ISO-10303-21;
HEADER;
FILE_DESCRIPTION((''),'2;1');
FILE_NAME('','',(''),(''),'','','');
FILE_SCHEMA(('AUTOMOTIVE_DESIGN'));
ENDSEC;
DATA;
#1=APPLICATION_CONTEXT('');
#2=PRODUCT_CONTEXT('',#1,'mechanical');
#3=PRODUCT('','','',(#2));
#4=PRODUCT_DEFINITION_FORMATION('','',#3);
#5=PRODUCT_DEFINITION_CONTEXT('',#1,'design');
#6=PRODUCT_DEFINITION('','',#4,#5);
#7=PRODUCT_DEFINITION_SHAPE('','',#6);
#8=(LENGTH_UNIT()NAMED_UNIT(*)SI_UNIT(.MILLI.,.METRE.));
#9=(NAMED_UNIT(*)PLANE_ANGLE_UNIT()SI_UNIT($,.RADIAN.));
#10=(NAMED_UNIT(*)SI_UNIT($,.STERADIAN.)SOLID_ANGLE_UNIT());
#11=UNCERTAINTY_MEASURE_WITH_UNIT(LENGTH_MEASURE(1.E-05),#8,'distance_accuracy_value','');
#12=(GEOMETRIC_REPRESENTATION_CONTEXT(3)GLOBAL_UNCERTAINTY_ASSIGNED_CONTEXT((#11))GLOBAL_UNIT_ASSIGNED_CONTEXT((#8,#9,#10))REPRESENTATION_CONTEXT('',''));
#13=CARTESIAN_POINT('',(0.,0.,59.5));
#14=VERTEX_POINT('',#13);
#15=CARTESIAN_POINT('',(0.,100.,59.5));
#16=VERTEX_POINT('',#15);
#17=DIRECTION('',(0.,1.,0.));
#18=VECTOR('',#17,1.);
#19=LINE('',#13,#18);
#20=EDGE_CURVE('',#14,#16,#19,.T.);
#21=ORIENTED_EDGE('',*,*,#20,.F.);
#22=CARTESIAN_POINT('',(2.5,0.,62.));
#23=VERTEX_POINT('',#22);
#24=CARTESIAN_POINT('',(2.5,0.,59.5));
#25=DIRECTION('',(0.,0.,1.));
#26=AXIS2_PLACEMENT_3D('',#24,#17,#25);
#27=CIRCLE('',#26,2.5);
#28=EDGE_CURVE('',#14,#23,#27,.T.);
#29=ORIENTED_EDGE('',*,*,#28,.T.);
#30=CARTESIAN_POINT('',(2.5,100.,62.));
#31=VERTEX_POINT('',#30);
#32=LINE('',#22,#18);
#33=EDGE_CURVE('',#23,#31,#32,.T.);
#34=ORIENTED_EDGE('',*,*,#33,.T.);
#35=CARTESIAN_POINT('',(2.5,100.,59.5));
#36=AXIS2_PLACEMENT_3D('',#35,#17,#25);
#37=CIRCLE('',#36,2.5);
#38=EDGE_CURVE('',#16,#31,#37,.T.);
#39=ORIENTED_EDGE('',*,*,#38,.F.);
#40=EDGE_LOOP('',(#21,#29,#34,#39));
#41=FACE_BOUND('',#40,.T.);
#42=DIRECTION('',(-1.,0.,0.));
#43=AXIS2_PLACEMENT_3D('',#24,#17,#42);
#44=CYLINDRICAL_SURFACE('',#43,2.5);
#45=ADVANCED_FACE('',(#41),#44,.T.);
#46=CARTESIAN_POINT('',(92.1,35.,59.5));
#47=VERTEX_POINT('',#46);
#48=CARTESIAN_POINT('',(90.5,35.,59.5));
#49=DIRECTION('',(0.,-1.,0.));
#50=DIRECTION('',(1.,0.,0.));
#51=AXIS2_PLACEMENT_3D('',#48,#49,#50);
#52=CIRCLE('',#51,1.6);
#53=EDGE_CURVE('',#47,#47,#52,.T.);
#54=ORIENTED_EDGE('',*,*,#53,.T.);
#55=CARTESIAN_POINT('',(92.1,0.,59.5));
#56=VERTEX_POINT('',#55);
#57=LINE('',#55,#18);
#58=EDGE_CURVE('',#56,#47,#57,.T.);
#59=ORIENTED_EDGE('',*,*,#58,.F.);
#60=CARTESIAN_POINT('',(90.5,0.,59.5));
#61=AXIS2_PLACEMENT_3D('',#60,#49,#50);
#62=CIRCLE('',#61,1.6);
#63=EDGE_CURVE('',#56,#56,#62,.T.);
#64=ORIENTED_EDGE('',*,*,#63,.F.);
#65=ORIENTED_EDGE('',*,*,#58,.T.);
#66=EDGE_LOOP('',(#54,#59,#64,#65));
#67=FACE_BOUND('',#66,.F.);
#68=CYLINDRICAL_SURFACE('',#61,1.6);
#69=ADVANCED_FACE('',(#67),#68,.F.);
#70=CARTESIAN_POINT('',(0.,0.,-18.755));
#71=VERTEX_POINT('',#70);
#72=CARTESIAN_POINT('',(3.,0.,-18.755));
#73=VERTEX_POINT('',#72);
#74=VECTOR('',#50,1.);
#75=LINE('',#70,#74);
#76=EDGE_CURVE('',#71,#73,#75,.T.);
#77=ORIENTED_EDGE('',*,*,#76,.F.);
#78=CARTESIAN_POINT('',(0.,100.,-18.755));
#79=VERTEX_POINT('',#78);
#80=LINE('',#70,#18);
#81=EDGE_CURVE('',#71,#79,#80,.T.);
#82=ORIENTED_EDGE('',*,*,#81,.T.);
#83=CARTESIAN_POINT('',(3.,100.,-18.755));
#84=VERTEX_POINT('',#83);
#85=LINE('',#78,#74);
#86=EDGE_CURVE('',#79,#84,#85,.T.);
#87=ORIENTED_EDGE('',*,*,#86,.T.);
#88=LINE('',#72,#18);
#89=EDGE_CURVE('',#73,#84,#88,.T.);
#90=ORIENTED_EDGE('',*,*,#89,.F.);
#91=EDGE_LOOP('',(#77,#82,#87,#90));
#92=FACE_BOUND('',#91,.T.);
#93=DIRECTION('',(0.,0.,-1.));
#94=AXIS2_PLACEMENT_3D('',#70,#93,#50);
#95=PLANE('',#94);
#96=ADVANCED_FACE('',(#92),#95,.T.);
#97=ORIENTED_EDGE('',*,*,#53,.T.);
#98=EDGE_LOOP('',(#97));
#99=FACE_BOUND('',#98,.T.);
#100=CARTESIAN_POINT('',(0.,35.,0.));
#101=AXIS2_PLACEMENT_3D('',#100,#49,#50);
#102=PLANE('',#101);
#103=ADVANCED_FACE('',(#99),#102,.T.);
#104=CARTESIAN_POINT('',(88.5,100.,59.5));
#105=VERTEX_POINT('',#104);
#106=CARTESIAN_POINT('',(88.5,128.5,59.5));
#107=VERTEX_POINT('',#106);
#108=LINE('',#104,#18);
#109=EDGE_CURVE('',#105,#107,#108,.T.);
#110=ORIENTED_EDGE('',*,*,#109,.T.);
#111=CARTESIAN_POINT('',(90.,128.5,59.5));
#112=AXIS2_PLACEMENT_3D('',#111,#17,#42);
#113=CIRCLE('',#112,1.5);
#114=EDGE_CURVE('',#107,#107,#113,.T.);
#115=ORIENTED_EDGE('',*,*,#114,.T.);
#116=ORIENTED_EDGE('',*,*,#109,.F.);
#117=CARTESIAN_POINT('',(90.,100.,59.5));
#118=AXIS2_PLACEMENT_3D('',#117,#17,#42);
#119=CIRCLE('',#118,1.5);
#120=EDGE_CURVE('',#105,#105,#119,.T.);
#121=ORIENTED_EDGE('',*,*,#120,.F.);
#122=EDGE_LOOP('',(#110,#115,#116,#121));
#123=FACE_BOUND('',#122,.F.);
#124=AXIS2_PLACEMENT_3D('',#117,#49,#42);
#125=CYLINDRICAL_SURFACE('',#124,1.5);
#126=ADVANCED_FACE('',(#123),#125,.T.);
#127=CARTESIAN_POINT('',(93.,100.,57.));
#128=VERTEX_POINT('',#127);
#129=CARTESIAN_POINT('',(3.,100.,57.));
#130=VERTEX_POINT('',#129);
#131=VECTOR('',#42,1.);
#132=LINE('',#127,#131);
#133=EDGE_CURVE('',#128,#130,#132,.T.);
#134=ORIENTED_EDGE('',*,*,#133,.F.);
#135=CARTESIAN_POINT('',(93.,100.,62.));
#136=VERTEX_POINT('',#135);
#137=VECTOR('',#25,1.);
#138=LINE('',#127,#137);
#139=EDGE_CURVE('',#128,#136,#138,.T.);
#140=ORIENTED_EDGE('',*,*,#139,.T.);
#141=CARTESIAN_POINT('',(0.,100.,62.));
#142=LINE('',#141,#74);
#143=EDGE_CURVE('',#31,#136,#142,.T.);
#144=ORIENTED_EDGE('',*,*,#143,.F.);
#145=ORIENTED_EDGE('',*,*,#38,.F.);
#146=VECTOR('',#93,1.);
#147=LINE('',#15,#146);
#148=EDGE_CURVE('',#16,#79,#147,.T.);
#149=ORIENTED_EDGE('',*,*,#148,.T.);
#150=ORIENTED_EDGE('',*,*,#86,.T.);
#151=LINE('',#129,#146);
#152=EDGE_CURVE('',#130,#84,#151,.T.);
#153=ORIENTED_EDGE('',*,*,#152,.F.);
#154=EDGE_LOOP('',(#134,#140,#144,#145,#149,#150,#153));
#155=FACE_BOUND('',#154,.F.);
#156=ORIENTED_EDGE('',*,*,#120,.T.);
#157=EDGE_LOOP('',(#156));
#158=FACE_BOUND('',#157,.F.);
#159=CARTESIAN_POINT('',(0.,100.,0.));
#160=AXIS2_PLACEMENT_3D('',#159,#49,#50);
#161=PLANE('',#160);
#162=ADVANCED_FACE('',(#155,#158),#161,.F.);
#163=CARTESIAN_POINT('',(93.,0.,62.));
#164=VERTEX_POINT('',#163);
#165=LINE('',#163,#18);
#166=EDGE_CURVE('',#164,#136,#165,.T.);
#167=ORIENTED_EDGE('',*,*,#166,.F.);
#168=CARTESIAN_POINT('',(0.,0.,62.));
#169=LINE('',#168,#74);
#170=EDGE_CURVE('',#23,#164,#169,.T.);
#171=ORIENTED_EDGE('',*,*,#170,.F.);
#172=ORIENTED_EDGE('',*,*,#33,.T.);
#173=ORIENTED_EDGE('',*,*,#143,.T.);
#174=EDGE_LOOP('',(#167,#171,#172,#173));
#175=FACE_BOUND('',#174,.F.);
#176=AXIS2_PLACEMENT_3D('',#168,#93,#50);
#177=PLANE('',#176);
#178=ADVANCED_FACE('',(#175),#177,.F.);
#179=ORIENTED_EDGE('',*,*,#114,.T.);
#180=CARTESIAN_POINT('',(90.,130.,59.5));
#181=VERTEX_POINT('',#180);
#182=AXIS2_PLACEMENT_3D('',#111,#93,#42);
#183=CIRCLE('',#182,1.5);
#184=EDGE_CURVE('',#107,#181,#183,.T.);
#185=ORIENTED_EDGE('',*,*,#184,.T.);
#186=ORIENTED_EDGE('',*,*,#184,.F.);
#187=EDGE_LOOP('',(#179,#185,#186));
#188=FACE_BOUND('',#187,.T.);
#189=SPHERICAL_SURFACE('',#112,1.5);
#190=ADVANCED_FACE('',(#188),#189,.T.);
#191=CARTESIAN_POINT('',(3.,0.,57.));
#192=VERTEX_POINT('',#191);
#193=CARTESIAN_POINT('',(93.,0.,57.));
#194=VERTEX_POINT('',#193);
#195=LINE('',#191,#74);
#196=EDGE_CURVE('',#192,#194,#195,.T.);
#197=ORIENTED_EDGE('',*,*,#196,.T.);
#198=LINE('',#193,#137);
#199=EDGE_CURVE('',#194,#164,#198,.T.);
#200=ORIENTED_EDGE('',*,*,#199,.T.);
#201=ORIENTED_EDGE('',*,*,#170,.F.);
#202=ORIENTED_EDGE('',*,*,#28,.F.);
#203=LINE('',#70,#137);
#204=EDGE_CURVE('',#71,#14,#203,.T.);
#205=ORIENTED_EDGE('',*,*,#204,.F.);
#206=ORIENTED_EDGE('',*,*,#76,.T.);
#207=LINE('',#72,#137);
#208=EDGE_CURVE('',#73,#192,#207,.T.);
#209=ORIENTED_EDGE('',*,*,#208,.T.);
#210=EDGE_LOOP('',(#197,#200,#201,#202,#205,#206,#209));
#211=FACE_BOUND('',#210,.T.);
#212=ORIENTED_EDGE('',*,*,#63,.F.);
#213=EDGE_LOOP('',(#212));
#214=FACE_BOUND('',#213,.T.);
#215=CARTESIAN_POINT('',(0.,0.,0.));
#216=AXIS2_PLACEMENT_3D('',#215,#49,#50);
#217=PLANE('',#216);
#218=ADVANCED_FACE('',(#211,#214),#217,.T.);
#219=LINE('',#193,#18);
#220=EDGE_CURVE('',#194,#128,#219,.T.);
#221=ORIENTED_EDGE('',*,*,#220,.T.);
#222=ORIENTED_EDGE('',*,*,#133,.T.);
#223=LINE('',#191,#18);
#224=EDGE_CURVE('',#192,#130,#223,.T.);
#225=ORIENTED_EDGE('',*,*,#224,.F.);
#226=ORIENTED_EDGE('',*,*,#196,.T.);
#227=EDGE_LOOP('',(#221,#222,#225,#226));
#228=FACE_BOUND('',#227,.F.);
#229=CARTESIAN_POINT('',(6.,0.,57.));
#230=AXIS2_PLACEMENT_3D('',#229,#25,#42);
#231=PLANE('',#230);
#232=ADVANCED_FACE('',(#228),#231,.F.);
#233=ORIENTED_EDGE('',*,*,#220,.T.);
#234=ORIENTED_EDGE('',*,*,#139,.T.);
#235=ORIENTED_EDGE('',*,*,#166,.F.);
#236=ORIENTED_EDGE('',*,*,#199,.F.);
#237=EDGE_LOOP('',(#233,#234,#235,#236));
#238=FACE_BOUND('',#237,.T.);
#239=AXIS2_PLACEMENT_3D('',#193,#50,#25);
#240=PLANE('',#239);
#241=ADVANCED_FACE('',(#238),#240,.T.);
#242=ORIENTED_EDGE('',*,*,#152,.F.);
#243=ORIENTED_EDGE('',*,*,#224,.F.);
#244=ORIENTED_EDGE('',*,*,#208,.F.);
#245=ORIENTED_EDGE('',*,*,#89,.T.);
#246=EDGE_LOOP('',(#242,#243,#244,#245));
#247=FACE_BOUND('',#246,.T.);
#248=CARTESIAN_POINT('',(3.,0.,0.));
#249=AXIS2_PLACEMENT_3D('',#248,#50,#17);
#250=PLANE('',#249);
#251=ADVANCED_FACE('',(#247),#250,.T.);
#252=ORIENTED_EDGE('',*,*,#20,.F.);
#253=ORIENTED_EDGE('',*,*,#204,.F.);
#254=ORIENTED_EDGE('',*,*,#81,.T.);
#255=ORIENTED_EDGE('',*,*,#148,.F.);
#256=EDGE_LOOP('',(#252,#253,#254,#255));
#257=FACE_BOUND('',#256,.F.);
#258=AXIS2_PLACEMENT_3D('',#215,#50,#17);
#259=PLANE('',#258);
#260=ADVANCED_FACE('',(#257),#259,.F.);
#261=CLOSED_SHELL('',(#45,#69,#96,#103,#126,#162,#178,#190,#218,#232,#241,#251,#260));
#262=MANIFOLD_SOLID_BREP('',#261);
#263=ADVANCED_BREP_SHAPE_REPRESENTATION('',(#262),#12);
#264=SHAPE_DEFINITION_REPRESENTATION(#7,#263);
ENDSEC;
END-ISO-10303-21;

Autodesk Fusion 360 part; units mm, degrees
sketch "스케치1" plane through (0, 0, 0) normal (0, 1, 0) x (1, 0, 0)
  line L0 (0, 0) -> (6, 0)
  line L1 (0, 0) -> (0, -62)
  line L2 (0, -62) -> (93, -62)
  line L3 (6, 0) -> (6, -57)
  line L4 (6, -57) -> (93, -57)
  line L5 (93, -57) -> (93, -62)
  line L6 (6, -57) -> (3, -57)
  line L7 (3, -57) -> (3, 0)
  line L8 (3, 0) -> (6, 0)
  line L9 (6, 0) -> (6, -57)
  dimension "d1" = 6
  dimension "d2" = 62
  dimension "d3" = 93
  dimension "d4" = 57
extrude "돌출1" add sketch "스케치1" along normal blind 100 contours L0 L1 L2 L4 L5 L6 L7
sketch "스케치2" plane through (0, 0, 0) normal (0, -1, 0) x (1, 0, 0)
  line L0 (0, 62) -> (0, 0)
  line L1 (0, 0) -> (3, 0)
  line L2 (3, 57) -> (93, 57)
  line L3 (93, 57) -> (93, 62)
  line L4 (93, 62) -> (0, 62)
  line L5 (93, 62) -> (88, 62)
  line L6 (88, 62) -> (88, 57)
  line L7 (88, 57) -> (93, 57)
  line L8 (93, 57) -> (93, 62)
  circle A0 centre (90.5, 59.5) radius 1.6
  line L9 (3, 0) -> (3, 57)
  dimension "d7" = 3.2
extrude "돌출2" cut sketch "스케치2" against normal blind 35 contours A0
sketch "스케치3" plane through (0, 100, 0) normal (0, 1, 0) x (-1, 0, 0)
  line L0 (0, 0) -> (0, 62)
  line L1 (0, 62) -> (-93, 62)
  line L2 (-93, 62) -> (-93, 57)
  line L3 (-93, 57) -> (-3, 57)
  line L4 (-3, 0) -> (0, 0)
  line L5 (-93, 62) -> (-87, 62)
  line L6 (-87, 62) -> (-87, 57)
  line L7 (-87, 57) -> (-93, 57)
  line L8 (-93, 57) -> (-93, 62)
  circle A0 centre (-90, 59.5) radius 1.5
  line L9 (-3, 57) -> (-3, 0)
  dimension "d10" = 3
extrude "돌출3" add sketch "스케치3" along normal blind 30 contours A0
fillet "필렛1" radius 1.5 1 edges at (91.3985, 130, 58.9576)
fillet "필렛2" radius 2.5 1 edges at (0, 50, 62)
extrude "돌출4" add 1 faces at (1, 66.6667, 0) along direction (0, 0, -1) blind 18.755
